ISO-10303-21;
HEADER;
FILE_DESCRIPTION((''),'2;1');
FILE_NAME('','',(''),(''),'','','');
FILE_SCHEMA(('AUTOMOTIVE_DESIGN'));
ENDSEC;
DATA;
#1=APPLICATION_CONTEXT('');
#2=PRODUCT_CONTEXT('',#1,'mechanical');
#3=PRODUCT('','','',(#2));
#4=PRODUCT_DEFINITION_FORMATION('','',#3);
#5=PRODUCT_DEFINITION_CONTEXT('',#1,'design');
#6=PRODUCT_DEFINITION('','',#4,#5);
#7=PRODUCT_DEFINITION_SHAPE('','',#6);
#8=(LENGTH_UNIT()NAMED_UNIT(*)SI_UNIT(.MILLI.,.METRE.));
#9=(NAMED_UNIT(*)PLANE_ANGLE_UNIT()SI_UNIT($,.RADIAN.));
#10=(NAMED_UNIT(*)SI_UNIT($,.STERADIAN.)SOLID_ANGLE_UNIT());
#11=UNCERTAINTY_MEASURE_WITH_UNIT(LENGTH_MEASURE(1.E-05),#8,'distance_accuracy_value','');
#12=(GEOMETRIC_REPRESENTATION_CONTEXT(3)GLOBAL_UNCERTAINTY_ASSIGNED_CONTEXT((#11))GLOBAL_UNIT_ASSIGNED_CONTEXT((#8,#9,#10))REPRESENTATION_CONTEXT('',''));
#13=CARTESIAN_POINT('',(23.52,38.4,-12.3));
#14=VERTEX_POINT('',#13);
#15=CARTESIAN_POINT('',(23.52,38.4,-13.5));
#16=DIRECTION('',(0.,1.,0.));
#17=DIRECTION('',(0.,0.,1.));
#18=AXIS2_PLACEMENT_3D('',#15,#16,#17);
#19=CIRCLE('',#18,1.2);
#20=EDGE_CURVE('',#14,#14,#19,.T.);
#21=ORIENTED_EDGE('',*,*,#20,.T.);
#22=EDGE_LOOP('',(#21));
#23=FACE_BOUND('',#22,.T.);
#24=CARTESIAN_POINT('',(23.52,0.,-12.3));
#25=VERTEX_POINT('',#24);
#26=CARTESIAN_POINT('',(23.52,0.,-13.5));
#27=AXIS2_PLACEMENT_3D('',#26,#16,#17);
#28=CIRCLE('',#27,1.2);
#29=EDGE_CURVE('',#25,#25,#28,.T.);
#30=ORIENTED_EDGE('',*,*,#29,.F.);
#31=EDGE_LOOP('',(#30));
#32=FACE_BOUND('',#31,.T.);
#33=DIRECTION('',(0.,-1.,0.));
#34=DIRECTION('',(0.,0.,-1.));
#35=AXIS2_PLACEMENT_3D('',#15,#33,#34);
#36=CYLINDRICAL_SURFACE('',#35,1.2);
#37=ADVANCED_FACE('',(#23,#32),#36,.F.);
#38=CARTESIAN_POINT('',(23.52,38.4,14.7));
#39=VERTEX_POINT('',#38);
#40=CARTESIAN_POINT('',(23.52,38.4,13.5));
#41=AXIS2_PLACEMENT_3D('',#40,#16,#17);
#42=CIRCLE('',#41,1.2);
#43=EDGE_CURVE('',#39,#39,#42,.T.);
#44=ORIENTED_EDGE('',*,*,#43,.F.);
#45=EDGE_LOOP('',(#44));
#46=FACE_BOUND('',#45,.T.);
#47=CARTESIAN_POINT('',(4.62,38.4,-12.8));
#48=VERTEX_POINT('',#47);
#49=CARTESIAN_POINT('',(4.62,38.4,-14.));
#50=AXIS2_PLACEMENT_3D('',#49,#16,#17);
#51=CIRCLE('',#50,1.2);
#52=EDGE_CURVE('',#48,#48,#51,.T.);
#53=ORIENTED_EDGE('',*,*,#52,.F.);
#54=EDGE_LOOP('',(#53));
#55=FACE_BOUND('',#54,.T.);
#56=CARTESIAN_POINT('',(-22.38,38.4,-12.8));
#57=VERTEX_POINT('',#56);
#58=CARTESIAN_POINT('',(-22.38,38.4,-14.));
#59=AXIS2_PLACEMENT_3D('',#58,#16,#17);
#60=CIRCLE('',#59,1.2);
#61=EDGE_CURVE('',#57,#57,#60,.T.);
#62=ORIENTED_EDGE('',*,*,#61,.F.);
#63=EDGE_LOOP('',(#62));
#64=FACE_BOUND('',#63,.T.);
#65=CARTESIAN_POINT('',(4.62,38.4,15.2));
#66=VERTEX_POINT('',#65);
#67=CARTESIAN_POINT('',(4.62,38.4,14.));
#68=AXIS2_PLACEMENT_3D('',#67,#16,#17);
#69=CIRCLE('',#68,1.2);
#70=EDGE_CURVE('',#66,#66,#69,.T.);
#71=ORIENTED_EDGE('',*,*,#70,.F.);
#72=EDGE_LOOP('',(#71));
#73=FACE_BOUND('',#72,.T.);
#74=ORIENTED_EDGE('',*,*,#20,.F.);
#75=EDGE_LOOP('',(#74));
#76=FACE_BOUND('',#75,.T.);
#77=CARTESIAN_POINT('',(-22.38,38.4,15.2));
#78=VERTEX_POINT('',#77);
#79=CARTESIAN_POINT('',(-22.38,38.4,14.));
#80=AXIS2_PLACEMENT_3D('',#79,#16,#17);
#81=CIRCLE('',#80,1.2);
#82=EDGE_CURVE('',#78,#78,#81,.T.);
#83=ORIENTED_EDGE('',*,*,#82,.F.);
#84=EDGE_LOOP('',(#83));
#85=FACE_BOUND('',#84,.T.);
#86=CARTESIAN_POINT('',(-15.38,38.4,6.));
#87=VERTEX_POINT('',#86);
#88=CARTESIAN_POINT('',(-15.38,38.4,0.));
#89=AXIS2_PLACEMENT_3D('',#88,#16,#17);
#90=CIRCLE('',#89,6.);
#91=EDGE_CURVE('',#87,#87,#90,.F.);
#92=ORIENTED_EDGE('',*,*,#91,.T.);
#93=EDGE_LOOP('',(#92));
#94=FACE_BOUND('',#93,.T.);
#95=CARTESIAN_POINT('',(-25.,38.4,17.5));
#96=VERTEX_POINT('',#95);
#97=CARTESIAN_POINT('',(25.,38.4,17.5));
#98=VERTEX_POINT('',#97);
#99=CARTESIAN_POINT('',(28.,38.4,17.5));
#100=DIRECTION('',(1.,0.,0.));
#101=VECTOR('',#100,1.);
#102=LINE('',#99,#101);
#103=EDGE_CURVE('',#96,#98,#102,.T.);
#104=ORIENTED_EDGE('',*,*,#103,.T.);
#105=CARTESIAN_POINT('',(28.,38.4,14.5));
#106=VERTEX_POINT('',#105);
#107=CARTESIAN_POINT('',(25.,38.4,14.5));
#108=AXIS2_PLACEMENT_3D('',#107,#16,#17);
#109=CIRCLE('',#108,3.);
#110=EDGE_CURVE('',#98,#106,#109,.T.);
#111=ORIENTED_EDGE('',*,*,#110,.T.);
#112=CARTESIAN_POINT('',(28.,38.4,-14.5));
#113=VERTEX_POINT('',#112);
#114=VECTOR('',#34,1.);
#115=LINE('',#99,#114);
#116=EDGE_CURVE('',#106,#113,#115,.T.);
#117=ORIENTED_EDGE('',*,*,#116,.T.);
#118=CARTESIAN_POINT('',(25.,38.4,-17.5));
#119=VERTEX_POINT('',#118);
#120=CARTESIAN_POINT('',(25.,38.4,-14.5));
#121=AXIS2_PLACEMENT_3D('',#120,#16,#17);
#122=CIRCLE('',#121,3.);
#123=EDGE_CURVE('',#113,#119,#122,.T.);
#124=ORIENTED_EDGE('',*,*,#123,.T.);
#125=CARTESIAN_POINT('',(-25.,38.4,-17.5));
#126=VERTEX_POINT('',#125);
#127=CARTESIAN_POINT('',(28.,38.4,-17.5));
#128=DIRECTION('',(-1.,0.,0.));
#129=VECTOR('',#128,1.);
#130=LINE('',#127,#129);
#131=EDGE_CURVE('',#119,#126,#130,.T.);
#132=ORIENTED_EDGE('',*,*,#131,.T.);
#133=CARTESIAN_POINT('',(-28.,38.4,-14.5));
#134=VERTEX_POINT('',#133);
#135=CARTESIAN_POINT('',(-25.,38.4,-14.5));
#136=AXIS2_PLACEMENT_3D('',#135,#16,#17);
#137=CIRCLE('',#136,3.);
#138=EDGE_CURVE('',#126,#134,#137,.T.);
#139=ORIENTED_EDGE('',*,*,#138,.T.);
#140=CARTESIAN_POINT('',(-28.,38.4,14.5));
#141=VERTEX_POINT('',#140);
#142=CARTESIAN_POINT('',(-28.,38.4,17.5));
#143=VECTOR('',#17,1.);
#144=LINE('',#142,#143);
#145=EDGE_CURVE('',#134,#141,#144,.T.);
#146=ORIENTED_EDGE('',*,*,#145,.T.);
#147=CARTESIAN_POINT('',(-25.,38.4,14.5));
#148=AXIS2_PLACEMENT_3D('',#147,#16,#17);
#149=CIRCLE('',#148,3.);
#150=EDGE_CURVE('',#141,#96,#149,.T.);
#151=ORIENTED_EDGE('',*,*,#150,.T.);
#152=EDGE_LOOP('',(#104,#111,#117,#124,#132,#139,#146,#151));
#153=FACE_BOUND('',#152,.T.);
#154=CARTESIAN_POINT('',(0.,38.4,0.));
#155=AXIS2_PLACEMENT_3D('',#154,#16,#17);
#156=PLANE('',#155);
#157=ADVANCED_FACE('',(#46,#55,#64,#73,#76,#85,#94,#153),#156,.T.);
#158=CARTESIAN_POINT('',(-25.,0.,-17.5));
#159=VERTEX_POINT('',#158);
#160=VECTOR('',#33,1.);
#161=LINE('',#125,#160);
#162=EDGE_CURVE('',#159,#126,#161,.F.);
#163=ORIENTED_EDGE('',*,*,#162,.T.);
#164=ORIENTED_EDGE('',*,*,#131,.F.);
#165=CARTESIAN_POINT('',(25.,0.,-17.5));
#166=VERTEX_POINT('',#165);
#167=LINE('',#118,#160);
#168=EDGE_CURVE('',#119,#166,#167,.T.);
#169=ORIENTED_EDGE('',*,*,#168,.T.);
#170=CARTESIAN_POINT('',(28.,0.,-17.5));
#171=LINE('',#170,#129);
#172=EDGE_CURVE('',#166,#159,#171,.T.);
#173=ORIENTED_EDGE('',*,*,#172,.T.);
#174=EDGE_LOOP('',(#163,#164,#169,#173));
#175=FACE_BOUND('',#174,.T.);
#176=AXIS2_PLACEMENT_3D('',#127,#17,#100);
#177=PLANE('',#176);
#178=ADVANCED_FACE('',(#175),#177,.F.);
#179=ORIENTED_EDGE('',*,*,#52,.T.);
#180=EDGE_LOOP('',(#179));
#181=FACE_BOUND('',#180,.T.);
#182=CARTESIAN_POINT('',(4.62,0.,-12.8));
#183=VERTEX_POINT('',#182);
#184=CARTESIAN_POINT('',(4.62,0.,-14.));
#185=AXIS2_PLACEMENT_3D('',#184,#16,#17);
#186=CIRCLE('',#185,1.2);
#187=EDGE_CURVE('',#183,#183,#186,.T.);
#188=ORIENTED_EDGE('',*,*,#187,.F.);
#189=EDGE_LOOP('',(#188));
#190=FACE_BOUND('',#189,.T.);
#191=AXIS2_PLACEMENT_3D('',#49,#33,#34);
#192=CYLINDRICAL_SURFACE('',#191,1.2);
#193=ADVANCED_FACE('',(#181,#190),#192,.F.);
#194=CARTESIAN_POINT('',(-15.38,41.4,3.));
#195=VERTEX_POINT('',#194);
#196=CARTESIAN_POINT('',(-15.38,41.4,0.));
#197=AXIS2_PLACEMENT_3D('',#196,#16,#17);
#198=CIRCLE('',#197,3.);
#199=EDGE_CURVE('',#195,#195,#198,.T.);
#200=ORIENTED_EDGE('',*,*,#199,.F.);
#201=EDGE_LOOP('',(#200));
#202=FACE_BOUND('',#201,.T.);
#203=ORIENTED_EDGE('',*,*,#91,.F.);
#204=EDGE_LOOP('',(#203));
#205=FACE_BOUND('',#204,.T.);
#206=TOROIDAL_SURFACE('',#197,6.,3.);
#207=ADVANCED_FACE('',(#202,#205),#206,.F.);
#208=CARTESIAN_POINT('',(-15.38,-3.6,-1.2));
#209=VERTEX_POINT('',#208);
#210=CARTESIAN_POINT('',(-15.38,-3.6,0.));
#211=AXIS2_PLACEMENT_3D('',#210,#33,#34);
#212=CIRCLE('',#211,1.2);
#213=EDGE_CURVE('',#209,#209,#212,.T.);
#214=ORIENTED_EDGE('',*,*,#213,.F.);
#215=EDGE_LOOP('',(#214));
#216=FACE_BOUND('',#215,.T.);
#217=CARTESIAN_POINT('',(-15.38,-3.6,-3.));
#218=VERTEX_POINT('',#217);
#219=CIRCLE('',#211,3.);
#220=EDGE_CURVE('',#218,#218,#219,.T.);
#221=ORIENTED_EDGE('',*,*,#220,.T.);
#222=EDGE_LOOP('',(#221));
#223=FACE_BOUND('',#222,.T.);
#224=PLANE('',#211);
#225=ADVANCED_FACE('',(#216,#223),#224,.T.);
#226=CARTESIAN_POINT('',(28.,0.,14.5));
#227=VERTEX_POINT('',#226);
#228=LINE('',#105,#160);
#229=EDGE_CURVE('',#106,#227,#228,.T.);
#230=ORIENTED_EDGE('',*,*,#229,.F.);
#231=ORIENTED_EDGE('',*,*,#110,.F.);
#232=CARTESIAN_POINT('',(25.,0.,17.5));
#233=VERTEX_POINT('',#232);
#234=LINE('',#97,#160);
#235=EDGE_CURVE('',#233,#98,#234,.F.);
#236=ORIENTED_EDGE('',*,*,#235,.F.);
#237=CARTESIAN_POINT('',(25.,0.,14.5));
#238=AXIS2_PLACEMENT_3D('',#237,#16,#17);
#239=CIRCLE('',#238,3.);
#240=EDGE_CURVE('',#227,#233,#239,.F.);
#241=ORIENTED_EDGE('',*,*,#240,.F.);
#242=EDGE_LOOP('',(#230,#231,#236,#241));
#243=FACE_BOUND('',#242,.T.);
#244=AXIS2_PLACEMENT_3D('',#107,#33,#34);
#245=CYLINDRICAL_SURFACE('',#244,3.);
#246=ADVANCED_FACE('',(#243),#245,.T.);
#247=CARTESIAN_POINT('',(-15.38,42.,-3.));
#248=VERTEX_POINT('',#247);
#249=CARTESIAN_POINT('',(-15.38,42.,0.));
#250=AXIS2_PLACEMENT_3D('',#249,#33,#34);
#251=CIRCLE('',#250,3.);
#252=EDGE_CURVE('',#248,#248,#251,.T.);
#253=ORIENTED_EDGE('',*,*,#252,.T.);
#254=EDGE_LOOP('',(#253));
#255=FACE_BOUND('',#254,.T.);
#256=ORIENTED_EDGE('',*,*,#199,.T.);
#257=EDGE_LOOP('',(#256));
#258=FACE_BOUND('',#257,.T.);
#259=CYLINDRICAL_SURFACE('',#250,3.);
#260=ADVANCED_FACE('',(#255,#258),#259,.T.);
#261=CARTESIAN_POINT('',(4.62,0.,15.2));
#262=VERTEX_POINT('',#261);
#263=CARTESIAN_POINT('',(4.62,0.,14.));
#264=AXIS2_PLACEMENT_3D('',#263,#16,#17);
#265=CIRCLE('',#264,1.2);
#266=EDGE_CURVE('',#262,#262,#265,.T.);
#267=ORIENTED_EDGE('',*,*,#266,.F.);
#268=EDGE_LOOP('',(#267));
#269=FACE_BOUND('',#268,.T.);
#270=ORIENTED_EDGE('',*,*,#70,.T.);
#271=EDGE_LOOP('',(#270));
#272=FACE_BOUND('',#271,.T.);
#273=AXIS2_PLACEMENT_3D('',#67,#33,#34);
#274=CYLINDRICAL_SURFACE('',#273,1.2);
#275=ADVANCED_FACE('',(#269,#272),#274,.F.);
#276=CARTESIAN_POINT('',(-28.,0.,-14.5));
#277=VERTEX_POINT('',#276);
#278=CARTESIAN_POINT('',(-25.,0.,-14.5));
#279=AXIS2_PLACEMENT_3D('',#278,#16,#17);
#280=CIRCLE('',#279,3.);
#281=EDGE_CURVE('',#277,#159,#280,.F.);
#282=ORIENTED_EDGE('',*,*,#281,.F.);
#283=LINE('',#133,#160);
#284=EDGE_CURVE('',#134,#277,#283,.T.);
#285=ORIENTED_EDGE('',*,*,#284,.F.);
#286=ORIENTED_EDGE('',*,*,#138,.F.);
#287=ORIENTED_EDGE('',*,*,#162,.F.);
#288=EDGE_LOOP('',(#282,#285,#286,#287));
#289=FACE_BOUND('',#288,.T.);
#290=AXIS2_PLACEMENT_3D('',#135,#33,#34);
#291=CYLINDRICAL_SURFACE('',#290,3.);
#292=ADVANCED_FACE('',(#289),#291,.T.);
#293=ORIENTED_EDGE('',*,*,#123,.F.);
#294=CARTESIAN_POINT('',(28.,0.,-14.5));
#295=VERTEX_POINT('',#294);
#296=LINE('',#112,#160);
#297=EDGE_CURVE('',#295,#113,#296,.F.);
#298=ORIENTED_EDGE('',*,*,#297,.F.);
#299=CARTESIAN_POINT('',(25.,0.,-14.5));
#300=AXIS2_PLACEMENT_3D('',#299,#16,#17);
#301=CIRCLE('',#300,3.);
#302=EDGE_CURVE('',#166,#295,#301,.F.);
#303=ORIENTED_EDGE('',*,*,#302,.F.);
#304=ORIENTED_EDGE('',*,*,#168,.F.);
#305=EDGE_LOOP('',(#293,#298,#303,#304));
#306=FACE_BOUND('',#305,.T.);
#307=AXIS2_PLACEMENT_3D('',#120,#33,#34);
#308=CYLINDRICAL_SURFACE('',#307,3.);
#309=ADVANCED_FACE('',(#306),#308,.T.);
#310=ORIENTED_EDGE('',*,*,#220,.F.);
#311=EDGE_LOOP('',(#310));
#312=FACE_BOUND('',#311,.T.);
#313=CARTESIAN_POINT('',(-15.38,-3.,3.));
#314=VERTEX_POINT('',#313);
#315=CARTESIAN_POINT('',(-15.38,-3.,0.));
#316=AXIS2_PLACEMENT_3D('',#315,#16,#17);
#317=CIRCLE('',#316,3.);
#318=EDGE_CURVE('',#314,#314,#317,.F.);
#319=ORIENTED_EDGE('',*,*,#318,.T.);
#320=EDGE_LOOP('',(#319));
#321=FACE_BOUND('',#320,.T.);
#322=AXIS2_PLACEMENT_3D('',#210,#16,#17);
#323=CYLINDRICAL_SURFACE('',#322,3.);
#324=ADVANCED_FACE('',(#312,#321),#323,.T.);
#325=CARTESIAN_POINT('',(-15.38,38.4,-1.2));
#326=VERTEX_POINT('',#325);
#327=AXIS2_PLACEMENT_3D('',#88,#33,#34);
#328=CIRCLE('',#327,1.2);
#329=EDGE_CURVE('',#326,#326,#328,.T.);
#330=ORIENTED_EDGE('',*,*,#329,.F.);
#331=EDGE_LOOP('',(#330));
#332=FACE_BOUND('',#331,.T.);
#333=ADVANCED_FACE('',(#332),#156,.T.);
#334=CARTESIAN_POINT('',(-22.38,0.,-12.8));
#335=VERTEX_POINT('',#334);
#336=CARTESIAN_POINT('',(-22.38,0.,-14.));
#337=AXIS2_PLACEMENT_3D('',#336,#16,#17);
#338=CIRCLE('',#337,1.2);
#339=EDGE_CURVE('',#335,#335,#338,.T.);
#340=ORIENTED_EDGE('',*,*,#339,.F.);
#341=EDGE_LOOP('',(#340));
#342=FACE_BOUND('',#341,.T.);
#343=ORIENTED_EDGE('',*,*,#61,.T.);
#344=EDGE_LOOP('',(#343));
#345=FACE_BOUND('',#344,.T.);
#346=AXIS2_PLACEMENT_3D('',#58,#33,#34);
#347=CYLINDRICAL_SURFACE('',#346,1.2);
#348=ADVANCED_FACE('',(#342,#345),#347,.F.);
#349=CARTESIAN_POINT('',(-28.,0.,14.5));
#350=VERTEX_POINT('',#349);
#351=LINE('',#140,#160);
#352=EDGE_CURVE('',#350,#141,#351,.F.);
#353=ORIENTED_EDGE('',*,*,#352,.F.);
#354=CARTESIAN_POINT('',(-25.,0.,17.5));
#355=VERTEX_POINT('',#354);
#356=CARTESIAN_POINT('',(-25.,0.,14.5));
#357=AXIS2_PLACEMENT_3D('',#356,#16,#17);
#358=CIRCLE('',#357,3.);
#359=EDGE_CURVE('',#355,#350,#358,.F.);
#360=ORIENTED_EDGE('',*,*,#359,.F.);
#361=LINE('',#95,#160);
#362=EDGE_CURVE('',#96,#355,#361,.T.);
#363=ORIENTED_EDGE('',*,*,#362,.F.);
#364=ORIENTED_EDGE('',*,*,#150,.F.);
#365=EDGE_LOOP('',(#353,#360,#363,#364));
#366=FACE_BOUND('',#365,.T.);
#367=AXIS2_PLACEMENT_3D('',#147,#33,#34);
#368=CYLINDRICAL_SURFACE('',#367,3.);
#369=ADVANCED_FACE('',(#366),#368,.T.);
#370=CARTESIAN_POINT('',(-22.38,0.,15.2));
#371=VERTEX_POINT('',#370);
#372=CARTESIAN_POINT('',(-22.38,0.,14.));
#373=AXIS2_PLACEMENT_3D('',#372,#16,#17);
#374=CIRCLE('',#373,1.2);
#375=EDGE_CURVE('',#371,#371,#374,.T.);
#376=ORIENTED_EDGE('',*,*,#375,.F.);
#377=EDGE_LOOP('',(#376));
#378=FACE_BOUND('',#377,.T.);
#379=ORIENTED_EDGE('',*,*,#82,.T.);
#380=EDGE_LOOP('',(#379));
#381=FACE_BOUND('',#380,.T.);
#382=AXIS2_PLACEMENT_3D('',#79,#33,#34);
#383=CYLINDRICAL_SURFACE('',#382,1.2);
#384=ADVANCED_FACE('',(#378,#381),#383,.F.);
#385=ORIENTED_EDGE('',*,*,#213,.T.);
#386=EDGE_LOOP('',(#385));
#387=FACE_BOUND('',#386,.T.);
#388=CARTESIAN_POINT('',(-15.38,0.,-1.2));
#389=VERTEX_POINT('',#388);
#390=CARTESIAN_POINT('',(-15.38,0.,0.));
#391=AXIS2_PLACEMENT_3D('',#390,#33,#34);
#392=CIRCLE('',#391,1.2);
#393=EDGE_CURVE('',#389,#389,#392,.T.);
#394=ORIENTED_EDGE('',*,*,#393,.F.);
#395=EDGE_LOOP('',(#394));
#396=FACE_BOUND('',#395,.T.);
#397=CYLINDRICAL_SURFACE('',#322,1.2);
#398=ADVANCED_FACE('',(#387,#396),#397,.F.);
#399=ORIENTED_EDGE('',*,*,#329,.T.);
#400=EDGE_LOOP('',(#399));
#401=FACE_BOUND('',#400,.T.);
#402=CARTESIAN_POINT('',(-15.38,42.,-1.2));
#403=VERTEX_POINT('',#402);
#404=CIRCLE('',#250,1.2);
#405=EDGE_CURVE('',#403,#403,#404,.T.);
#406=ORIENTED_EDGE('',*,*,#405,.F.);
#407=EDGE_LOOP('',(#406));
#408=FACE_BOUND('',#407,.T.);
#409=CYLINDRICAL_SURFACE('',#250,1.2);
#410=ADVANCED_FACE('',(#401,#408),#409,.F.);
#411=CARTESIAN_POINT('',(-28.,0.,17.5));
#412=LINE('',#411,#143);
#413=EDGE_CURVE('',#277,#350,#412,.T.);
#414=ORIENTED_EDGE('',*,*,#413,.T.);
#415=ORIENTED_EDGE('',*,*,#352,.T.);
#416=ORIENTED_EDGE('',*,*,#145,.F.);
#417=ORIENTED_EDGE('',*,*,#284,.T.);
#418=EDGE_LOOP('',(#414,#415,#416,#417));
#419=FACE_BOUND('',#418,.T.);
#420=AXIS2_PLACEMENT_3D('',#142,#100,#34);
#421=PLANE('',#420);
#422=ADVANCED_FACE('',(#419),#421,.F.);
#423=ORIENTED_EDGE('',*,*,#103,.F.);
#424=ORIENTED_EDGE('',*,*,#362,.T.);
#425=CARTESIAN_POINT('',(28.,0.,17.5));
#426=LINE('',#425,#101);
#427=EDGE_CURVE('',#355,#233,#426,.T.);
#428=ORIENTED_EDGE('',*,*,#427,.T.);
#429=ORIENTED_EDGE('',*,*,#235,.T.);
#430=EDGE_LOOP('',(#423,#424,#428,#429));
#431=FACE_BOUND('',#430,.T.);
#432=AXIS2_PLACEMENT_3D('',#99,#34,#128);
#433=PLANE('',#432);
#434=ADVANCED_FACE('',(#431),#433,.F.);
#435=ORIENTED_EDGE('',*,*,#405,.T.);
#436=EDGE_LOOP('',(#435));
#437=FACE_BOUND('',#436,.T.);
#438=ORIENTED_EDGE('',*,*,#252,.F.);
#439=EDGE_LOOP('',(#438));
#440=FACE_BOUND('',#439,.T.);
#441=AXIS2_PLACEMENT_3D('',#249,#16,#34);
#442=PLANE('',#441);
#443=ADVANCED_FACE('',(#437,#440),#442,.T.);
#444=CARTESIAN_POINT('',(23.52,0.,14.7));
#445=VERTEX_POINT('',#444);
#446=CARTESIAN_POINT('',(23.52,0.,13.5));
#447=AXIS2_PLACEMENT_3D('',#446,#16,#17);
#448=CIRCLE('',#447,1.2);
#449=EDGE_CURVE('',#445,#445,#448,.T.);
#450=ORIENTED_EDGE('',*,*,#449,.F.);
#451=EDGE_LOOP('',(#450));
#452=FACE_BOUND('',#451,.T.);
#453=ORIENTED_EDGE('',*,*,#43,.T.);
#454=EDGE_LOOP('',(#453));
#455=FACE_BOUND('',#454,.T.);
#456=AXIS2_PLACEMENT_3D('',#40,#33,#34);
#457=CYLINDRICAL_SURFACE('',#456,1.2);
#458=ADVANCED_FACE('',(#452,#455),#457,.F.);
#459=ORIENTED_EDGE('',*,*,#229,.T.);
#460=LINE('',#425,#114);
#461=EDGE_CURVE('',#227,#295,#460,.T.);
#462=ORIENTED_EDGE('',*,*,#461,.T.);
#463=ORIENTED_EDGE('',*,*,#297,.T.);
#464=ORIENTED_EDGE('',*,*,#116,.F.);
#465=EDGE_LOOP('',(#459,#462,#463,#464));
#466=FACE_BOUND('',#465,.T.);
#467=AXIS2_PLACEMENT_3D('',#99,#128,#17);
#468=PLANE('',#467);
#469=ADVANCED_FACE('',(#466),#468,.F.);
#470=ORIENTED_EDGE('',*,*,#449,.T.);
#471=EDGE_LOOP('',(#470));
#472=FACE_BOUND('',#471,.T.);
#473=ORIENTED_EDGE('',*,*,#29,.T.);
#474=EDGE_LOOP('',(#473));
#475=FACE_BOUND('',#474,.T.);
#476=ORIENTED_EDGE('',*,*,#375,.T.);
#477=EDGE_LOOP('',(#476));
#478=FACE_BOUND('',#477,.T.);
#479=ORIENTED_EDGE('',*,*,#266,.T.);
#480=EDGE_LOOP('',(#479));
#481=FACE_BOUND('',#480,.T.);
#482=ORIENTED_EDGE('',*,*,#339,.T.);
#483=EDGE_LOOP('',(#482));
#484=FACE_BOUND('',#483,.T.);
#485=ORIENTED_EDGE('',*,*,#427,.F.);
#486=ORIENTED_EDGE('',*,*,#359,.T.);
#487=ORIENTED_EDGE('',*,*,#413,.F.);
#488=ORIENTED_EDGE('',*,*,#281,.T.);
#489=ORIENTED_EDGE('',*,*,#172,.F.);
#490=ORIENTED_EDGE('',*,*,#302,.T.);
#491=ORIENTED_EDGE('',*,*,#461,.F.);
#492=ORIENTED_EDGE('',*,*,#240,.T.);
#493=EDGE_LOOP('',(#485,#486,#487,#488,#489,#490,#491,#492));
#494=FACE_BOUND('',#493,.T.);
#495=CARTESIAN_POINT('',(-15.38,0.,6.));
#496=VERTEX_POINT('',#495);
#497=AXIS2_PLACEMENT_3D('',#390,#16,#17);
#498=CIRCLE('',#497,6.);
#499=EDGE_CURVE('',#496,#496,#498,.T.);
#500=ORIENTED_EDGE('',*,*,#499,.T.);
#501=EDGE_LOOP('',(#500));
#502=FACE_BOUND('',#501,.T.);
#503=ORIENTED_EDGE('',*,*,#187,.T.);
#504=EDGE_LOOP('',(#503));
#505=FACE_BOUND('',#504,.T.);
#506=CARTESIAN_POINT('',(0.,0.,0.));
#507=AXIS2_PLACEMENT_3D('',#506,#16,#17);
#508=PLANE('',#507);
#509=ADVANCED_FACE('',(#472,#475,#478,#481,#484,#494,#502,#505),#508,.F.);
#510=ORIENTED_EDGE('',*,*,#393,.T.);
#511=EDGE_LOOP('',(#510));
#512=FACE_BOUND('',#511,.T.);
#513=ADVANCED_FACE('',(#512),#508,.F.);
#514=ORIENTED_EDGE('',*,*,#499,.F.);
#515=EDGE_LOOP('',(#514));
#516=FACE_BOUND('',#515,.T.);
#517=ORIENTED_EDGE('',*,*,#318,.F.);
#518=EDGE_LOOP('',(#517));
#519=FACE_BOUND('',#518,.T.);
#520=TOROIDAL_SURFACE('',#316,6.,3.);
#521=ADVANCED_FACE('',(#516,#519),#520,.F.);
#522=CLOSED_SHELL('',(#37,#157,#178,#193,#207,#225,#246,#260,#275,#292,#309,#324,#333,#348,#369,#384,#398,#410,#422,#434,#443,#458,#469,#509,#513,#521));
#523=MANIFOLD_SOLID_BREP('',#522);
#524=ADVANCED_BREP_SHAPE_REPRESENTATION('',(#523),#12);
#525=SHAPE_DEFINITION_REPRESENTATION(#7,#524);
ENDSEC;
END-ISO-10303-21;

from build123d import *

# Parameters (mm, degrees)
SKETCH1_W           = 56
SKETCH1_H           = 35
SKETCH1_R           = 1.2
BOSS_EXTRUDE1_DEPTH = 38.4
SKETCH2_R           = 3
SKETCH2_R_2         = 1.2
BOSS_EXTRUDE2_DEPTH = 3.6
FILLET2_R           = 3


with BuildPart() as part:
    # Sketch1 → Boss-Extrude1 (new body)
    with BuildSketch(Plane(origin=(0, 0, 0), x_dir=(1, 0, 0), z_dir=(0, 1, 0))):
        Rectangle(SKETCH1_W, SKETCH1_H)
        with Locations(Location((-22.38, 14, 0), (0, 0, 270))):
            Circle(SKETCH1_R, mode=Mode.SUBTRACT)
        with Locations(Location((4.62, 14, 0), (0, 0, 270))):
            Circle(SKETCH1_R, mode=Mode.SUBTRACT)
        with Locations(Location((-22.38, -14, 0), (0, 0, 270))):
            Circle(SKETCH1_R, mode=Mode.SUBTRACT)
        with Locations(Location((4.62, -14, 0), (0, 0, 270))):
            Circle(SKETCH1_R, mode=Mode.SUBTRACT)
        with Locations(Location((23.52, 13.5, 0), (0, 0, 270))):
            Circle(SKETCH1_R, mode=Mode.SUBTRACT)
        with Locations(Location((23.52, -13.5, 0), (0, 0, 270))):
            Circle(SKETCH1_R, mode=Mode.SUBTRACT)
    extrude(amount=BOSS_EXTRUDE1_DEPTH)

    # Sketch2 → Boss-Extrude2 (add)
    with BuildSketch(Plane.XZ):
        with Locations(Location((-15.38, 0, 0), (0, 0, 90))):
            Circle(SKETCH2_R)
        with Locations(Location((-15.38, 0, 0), (0, 0, 270))):
            Circle(SKETCH2_R_2, mode=Mode.SUBTRACT)
    boss_extrude2 = extrude(amount=BOSS_EXTRUDE2_DEPTH)

    # Mirror2: Boss-Extrude2 across plane
    add(boss_extrude2.mirror(Plane(origin=(0, 19.2, 0), x_dir=(0, 0, 1), z_dir=(0, -1, 0))))

    # Fillet2
    fillet2_edges = [part.edges().sort_by_distance(p)[0] for p in [
        (-15.38, 0, -3),
        (-15.38, 38.4, -3),
        (-28, 19.2, -17.5),
        (28, 19.2, -17.5),
        (28, 19.2, 17.5),
        (-28, 19.2, 17.5),
    ]]
    fillet(fillet2_edges, radius=FILLET2_R)


solid = part.part
